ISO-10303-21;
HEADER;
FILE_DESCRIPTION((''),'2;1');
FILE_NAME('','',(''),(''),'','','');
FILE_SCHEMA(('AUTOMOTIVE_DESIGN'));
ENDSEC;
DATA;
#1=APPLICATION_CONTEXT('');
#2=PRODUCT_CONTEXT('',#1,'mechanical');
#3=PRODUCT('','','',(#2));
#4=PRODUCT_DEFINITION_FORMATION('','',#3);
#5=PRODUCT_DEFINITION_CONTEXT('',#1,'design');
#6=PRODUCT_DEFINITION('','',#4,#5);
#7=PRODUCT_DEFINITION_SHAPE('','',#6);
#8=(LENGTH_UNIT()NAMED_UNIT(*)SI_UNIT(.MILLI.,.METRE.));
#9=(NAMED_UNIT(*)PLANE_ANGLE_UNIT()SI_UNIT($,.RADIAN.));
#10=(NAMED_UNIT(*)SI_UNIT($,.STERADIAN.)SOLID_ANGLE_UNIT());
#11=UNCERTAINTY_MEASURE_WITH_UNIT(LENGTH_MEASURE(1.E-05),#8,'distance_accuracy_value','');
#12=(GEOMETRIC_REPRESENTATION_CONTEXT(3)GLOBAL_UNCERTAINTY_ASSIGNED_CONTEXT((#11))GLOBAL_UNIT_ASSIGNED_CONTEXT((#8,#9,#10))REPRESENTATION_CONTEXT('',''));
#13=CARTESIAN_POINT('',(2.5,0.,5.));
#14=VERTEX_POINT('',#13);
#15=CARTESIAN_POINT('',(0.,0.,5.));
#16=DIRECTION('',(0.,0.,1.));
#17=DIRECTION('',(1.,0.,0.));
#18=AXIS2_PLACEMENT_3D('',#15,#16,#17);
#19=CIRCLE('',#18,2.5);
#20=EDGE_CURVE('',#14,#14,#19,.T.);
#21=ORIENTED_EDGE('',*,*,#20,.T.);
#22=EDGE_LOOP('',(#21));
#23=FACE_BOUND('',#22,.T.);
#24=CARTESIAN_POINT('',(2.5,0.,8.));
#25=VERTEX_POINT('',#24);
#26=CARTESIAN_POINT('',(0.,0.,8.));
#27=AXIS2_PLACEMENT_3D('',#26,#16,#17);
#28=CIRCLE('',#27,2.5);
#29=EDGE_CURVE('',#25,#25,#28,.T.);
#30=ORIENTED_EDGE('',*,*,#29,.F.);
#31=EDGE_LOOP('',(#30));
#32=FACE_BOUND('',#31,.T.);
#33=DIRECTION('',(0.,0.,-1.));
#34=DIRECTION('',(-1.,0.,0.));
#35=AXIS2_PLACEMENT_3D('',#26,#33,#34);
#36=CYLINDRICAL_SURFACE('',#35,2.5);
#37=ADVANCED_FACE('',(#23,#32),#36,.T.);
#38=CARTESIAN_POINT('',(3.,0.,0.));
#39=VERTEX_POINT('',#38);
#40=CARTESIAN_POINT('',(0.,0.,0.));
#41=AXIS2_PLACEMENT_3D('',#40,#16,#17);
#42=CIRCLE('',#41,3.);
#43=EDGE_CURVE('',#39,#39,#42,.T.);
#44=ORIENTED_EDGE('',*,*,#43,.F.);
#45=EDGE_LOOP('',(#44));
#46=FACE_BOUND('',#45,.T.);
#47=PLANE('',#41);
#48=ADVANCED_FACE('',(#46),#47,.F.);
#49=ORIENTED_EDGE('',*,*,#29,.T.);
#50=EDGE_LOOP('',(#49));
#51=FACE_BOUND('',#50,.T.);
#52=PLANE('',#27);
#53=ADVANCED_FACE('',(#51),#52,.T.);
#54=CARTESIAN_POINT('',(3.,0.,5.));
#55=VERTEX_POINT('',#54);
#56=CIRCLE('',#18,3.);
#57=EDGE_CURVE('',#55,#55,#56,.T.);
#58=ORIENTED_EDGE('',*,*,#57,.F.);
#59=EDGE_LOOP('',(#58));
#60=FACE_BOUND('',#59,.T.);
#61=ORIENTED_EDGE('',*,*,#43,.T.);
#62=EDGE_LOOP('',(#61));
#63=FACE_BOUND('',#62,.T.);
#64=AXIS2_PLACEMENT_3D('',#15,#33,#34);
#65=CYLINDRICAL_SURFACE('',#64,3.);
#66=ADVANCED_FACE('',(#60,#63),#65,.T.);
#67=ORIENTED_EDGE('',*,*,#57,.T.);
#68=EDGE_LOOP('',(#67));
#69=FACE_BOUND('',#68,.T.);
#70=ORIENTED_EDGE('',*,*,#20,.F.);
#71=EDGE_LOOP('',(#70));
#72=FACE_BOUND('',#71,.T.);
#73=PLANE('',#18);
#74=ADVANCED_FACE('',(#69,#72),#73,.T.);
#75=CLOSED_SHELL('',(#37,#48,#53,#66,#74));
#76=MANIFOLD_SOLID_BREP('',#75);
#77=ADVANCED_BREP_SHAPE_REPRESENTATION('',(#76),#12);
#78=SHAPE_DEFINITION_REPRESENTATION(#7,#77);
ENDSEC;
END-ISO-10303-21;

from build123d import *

# Parameters (mm, degrees)
SCHIZZO1_R                   = 3
ESTRUSIONE_ESTRUSIONE1_DEPTH = 5
SCHIZZO2_R                   = 2.5
ESTRUSIONE_ESTRUSIONE2_DEPTH = 3


with BuildPart() as part:
    # Schizzo1 → Estrusione-Estrusione1 (new body)
    with BuildSketch(Plane.XY):
        Circle(SCHIZZO1_R)
    extrude(amount=ESTRUSIONE_ESTRUSIONE1_DEPTH)

    # Schizzo2 → Estrusione-Estrusione2 (add)
    with BuildSketch(Plane.XY.offset(5)):
        Circle(SCHIZZO2_R)
    extrude(amount=ESTRUSIONE_ESTRUSIONE2_DEPTH)


solid = part.part
